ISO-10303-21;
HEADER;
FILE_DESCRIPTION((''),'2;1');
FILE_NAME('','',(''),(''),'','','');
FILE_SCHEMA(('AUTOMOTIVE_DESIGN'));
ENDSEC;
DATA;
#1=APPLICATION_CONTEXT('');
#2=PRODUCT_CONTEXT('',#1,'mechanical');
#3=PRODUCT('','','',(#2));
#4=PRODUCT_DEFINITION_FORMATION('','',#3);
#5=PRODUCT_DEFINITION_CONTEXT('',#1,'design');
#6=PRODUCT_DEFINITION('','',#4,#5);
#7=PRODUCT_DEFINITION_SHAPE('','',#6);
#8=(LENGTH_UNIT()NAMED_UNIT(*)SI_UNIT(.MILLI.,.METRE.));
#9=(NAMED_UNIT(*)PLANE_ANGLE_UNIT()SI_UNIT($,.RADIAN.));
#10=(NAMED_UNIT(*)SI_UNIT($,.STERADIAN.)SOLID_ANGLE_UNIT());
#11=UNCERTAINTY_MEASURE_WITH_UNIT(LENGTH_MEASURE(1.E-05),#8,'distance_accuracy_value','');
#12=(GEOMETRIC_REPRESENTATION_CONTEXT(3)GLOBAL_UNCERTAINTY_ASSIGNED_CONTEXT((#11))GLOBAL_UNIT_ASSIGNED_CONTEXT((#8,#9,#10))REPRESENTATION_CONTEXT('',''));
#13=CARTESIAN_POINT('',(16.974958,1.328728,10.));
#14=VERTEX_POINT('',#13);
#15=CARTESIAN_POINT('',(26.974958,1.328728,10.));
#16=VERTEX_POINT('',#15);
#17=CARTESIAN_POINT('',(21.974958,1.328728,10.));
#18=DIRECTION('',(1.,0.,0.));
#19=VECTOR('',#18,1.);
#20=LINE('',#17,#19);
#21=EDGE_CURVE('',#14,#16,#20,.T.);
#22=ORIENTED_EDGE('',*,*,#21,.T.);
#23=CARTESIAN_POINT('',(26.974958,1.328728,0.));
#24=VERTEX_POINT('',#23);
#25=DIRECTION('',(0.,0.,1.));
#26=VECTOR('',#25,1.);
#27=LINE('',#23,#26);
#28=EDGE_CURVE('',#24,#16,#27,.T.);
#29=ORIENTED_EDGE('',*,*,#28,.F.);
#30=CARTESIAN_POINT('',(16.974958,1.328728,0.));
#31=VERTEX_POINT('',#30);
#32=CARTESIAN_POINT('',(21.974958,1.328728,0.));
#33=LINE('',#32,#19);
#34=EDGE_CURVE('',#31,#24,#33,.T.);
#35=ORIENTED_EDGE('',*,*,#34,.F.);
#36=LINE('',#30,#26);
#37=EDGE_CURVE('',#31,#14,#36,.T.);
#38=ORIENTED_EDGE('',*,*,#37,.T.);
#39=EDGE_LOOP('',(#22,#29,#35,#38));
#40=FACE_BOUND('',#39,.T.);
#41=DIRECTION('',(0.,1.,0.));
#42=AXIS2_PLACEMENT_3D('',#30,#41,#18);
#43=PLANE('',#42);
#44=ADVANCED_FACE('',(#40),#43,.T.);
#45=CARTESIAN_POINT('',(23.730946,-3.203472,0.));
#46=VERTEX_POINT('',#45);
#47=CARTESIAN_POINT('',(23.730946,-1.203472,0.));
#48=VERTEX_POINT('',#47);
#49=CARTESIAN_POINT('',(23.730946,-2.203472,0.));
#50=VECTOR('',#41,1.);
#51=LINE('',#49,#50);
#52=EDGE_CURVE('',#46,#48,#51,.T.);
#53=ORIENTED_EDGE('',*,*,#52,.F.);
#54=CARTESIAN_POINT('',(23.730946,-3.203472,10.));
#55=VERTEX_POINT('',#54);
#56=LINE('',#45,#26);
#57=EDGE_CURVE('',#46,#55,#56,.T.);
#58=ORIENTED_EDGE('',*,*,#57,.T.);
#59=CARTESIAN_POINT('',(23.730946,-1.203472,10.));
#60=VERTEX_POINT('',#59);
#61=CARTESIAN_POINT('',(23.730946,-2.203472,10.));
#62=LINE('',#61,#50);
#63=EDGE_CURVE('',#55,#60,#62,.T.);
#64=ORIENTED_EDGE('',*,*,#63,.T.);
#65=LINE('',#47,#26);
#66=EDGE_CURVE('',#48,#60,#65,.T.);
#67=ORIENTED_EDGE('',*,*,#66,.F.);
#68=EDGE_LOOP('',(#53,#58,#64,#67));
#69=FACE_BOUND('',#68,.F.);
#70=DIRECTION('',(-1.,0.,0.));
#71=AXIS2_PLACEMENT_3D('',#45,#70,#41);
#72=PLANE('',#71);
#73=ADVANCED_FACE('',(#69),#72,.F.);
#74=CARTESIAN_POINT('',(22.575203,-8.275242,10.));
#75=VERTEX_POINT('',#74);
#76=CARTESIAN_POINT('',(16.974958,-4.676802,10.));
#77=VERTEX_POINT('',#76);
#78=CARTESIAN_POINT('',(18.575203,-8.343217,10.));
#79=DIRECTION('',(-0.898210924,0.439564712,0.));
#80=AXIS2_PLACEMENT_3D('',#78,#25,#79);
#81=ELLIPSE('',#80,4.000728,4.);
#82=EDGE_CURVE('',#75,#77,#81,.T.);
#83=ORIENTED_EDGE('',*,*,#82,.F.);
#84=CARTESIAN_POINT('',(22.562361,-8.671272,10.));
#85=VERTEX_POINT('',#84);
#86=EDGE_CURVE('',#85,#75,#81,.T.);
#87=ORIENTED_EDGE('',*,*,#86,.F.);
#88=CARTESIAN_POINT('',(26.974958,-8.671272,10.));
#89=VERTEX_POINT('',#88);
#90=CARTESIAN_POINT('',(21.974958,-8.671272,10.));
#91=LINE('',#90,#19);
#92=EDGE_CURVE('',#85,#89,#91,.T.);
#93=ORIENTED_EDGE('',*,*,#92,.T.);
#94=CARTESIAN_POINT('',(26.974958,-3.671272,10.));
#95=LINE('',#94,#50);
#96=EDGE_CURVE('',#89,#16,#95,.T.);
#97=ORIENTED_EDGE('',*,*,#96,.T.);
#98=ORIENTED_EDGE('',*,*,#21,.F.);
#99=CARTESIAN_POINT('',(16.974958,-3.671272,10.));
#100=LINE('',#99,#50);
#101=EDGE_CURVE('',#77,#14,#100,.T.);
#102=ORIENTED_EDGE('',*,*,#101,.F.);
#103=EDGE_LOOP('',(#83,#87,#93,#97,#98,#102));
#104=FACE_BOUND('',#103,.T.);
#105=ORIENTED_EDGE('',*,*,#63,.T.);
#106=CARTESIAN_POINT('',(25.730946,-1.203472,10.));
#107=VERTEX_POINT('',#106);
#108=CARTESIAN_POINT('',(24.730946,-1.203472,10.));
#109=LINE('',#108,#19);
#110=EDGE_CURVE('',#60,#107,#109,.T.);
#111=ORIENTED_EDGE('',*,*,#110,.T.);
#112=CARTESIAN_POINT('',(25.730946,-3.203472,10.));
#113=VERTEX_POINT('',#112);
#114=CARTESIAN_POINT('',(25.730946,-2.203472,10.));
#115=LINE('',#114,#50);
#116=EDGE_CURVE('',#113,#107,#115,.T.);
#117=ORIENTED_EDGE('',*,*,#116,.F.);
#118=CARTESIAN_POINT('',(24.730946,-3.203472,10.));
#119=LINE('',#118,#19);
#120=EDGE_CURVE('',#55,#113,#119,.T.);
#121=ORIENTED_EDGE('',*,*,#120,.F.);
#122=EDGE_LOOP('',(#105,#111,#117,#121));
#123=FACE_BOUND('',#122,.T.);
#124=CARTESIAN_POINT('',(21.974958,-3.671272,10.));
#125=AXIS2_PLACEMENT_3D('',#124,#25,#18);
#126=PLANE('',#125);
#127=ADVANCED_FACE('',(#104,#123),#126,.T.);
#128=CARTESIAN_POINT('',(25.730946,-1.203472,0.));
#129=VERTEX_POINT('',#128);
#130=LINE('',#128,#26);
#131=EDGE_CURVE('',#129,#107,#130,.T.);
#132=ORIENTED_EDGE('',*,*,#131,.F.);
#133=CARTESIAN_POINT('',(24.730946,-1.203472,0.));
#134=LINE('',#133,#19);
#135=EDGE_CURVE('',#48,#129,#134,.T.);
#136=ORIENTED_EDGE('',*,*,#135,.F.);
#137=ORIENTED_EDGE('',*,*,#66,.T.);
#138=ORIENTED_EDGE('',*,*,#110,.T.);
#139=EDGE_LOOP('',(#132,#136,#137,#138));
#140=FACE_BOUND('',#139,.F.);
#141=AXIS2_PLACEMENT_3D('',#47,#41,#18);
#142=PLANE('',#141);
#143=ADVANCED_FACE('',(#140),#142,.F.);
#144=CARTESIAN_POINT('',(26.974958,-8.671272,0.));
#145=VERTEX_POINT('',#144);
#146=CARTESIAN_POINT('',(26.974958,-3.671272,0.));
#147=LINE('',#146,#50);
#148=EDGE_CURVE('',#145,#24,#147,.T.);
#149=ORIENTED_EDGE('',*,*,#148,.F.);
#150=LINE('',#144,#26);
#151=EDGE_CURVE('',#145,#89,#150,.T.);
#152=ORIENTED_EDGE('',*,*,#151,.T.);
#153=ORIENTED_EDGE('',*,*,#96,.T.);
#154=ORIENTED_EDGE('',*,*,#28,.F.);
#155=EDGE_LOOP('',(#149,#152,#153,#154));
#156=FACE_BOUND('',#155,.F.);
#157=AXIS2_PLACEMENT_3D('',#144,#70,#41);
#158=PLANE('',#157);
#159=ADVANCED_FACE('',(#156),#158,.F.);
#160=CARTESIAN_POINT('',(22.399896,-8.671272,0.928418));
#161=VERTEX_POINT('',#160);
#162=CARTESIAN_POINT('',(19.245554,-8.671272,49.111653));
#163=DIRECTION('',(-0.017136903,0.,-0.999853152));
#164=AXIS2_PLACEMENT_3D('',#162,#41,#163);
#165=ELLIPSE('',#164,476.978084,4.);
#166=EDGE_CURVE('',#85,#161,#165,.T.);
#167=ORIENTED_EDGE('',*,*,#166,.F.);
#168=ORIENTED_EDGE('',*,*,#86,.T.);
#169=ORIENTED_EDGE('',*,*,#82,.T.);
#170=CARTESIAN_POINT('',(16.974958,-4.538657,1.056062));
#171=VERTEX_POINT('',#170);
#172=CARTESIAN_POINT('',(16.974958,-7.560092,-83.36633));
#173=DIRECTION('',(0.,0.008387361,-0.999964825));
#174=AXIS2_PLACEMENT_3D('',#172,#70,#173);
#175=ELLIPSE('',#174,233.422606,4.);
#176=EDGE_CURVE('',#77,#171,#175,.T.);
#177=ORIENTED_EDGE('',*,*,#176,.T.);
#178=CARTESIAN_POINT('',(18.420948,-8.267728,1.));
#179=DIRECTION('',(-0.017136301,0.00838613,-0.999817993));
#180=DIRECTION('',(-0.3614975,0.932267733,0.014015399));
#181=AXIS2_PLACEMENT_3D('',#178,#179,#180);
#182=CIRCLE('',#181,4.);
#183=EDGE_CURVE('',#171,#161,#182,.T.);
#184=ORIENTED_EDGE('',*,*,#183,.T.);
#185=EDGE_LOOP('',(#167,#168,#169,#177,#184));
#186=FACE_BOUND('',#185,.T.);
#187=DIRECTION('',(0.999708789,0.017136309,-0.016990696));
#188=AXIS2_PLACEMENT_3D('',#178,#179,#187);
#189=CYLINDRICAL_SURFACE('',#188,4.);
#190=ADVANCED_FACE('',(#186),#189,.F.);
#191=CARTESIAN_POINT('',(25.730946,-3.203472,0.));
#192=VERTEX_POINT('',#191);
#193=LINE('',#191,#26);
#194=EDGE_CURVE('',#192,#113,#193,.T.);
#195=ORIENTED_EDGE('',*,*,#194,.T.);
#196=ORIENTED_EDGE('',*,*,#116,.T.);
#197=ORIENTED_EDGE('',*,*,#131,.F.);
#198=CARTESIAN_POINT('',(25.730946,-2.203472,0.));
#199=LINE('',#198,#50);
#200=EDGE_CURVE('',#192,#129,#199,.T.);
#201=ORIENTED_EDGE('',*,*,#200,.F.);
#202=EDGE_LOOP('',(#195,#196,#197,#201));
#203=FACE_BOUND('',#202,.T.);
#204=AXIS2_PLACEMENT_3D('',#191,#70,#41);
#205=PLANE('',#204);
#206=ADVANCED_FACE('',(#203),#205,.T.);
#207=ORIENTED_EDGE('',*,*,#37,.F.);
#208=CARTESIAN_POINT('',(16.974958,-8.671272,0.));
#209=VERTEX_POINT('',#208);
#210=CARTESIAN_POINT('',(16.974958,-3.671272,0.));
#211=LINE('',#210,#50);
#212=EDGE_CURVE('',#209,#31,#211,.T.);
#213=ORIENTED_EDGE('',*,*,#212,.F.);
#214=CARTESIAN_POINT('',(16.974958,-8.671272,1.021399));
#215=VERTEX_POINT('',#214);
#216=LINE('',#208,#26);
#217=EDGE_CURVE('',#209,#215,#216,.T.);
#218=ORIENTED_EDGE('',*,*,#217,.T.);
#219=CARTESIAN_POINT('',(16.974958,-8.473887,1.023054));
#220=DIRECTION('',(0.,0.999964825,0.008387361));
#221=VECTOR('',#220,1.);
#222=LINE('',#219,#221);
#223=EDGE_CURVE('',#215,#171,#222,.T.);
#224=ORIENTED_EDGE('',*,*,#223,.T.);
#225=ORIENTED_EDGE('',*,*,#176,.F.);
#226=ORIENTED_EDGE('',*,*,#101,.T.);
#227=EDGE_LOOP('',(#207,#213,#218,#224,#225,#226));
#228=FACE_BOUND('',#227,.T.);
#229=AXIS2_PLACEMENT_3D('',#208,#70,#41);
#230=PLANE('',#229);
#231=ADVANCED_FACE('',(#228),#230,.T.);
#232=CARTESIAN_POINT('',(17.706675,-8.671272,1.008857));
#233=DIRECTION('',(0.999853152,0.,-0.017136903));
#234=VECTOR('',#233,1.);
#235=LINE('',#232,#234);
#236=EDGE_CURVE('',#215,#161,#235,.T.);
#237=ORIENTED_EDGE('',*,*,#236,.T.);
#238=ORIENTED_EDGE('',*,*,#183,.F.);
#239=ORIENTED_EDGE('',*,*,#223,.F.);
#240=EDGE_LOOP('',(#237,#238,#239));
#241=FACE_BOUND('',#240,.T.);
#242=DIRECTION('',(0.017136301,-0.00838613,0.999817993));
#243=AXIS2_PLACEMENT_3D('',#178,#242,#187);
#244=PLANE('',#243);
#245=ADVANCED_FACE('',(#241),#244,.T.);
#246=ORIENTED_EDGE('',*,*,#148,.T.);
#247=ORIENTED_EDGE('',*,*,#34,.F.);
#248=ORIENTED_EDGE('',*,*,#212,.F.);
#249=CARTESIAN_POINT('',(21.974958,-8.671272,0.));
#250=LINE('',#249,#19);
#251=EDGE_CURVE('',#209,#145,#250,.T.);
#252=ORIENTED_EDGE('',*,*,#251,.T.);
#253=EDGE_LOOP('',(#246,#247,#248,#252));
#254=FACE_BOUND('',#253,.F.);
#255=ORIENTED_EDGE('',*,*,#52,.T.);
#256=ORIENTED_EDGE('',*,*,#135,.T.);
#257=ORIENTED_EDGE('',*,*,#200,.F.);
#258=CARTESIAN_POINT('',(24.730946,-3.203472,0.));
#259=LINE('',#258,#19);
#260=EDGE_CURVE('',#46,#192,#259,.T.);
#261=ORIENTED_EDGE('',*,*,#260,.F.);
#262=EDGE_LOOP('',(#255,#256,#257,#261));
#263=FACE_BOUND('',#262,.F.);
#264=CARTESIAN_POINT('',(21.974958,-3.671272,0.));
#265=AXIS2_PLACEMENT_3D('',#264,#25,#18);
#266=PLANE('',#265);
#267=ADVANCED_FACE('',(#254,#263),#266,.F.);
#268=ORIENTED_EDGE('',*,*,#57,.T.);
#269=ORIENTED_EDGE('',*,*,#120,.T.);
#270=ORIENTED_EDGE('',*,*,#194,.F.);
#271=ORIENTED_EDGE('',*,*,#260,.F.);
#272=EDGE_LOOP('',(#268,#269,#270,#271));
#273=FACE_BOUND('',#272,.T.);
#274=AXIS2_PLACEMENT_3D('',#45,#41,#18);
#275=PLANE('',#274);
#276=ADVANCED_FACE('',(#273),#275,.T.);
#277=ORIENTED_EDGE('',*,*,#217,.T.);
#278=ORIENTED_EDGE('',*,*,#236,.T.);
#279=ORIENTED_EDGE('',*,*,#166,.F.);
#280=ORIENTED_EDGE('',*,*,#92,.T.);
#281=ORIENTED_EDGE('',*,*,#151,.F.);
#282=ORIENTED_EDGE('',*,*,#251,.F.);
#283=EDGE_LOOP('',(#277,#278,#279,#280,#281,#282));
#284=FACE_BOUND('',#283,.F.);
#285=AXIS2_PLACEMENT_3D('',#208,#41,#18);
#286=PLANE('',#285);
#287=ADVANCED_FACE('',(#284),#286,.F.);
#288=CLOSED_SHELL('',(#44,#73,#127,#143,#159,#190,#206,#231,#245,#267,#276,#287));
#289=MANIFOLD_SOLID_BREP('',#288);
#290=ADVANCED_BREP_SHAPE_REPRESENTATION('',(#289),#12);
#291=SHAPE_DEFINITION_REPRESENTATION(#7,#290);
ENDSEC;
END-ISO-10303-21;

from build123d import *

# Parameters (mm, degrees)
BOX001_W                 = 2
BOX001_H                 = 2
BOX001_DEPTH             = 10
CYLINDER_R               = 4
CYLINDER_DEPTH           = 10
CYLINDER_ROLL_ANGLE      = 0.497253
CYLINDER_PITCH_ANGLE     = 0.973542
CYLINDER_PLACEMENT_ANGLE = 0.982028
BOX_W                    = 10
BOX_H                    = 10
BOX_DEPTH                = 10


with BuildPart() as cube001:
    # Box001 → Box001 (new body)
    with BuildSketch(Plane(origin=(23.730946, -3.203472, 0), x_dir=(1, 0, 0), z_dir=(0, 0, 1))):
        with Locations((1, 1)):
            Rectangle(BOX001_W, BOX001_H)
    extrude(amount=BOX001_DEPTH)


with BuildPart() as cylinder:
    # Cylinder → Cylinder (new body)
    with BuildSketch(Plane.XY):
        Circle(CYLINDER_R)
    extrude(amount=CYLINDER_DEPTH)


with BuildPart() as cylinder_1:
    # Cylinder roll: moved
    add(cylinder.part.rotate(Axis((0, 0, 0), (1, 0, 0)), CYLINDER_ROLL_ANGLE))


with BuildPart() as cylinder_2:
    # Cylinder pitch: moved
    add(cylinder_1.part.rotate(Axis((0, 0, 0), (0, 1, 0)), CYLINDER_PITCH_ANGLE))


with BuildPart() as cylinder_3:
    # Cylinder placement: moved
    add(cylinder_2.part.moved(Location((1, 1, 1))).rotate(Axis((1, 1, 1), (0, 0, 1)), CYLINDER_PLACEMENT_ANGLE))


with BuildPart() as cut001:
    # Box → Box (new body)
    with BuildSketch(Plane(origin=(-0.44599, 0.596456, 0), x_dir=(1, 0, 0), z_dir=(0, 0, 1))):
        with Locations((5, 5)):
            Rectangle(BOX_W, BOX_H)
    extrude(amount=BOX_DEPTH)

    # Cut: cut Cylinder
    add(cylinder_3.part, mode=Mode.SUBTRACT)


with BuildPart() as cut001_1:
    # Cut placement: moved
    add(cut001.part.moved(Location((17.420948, -9.267728, 0))))

    # Cut001: cut Cube001
    add(cube001.part, mode=Mode.SUBTRACT)


solid = cut001_1.part
